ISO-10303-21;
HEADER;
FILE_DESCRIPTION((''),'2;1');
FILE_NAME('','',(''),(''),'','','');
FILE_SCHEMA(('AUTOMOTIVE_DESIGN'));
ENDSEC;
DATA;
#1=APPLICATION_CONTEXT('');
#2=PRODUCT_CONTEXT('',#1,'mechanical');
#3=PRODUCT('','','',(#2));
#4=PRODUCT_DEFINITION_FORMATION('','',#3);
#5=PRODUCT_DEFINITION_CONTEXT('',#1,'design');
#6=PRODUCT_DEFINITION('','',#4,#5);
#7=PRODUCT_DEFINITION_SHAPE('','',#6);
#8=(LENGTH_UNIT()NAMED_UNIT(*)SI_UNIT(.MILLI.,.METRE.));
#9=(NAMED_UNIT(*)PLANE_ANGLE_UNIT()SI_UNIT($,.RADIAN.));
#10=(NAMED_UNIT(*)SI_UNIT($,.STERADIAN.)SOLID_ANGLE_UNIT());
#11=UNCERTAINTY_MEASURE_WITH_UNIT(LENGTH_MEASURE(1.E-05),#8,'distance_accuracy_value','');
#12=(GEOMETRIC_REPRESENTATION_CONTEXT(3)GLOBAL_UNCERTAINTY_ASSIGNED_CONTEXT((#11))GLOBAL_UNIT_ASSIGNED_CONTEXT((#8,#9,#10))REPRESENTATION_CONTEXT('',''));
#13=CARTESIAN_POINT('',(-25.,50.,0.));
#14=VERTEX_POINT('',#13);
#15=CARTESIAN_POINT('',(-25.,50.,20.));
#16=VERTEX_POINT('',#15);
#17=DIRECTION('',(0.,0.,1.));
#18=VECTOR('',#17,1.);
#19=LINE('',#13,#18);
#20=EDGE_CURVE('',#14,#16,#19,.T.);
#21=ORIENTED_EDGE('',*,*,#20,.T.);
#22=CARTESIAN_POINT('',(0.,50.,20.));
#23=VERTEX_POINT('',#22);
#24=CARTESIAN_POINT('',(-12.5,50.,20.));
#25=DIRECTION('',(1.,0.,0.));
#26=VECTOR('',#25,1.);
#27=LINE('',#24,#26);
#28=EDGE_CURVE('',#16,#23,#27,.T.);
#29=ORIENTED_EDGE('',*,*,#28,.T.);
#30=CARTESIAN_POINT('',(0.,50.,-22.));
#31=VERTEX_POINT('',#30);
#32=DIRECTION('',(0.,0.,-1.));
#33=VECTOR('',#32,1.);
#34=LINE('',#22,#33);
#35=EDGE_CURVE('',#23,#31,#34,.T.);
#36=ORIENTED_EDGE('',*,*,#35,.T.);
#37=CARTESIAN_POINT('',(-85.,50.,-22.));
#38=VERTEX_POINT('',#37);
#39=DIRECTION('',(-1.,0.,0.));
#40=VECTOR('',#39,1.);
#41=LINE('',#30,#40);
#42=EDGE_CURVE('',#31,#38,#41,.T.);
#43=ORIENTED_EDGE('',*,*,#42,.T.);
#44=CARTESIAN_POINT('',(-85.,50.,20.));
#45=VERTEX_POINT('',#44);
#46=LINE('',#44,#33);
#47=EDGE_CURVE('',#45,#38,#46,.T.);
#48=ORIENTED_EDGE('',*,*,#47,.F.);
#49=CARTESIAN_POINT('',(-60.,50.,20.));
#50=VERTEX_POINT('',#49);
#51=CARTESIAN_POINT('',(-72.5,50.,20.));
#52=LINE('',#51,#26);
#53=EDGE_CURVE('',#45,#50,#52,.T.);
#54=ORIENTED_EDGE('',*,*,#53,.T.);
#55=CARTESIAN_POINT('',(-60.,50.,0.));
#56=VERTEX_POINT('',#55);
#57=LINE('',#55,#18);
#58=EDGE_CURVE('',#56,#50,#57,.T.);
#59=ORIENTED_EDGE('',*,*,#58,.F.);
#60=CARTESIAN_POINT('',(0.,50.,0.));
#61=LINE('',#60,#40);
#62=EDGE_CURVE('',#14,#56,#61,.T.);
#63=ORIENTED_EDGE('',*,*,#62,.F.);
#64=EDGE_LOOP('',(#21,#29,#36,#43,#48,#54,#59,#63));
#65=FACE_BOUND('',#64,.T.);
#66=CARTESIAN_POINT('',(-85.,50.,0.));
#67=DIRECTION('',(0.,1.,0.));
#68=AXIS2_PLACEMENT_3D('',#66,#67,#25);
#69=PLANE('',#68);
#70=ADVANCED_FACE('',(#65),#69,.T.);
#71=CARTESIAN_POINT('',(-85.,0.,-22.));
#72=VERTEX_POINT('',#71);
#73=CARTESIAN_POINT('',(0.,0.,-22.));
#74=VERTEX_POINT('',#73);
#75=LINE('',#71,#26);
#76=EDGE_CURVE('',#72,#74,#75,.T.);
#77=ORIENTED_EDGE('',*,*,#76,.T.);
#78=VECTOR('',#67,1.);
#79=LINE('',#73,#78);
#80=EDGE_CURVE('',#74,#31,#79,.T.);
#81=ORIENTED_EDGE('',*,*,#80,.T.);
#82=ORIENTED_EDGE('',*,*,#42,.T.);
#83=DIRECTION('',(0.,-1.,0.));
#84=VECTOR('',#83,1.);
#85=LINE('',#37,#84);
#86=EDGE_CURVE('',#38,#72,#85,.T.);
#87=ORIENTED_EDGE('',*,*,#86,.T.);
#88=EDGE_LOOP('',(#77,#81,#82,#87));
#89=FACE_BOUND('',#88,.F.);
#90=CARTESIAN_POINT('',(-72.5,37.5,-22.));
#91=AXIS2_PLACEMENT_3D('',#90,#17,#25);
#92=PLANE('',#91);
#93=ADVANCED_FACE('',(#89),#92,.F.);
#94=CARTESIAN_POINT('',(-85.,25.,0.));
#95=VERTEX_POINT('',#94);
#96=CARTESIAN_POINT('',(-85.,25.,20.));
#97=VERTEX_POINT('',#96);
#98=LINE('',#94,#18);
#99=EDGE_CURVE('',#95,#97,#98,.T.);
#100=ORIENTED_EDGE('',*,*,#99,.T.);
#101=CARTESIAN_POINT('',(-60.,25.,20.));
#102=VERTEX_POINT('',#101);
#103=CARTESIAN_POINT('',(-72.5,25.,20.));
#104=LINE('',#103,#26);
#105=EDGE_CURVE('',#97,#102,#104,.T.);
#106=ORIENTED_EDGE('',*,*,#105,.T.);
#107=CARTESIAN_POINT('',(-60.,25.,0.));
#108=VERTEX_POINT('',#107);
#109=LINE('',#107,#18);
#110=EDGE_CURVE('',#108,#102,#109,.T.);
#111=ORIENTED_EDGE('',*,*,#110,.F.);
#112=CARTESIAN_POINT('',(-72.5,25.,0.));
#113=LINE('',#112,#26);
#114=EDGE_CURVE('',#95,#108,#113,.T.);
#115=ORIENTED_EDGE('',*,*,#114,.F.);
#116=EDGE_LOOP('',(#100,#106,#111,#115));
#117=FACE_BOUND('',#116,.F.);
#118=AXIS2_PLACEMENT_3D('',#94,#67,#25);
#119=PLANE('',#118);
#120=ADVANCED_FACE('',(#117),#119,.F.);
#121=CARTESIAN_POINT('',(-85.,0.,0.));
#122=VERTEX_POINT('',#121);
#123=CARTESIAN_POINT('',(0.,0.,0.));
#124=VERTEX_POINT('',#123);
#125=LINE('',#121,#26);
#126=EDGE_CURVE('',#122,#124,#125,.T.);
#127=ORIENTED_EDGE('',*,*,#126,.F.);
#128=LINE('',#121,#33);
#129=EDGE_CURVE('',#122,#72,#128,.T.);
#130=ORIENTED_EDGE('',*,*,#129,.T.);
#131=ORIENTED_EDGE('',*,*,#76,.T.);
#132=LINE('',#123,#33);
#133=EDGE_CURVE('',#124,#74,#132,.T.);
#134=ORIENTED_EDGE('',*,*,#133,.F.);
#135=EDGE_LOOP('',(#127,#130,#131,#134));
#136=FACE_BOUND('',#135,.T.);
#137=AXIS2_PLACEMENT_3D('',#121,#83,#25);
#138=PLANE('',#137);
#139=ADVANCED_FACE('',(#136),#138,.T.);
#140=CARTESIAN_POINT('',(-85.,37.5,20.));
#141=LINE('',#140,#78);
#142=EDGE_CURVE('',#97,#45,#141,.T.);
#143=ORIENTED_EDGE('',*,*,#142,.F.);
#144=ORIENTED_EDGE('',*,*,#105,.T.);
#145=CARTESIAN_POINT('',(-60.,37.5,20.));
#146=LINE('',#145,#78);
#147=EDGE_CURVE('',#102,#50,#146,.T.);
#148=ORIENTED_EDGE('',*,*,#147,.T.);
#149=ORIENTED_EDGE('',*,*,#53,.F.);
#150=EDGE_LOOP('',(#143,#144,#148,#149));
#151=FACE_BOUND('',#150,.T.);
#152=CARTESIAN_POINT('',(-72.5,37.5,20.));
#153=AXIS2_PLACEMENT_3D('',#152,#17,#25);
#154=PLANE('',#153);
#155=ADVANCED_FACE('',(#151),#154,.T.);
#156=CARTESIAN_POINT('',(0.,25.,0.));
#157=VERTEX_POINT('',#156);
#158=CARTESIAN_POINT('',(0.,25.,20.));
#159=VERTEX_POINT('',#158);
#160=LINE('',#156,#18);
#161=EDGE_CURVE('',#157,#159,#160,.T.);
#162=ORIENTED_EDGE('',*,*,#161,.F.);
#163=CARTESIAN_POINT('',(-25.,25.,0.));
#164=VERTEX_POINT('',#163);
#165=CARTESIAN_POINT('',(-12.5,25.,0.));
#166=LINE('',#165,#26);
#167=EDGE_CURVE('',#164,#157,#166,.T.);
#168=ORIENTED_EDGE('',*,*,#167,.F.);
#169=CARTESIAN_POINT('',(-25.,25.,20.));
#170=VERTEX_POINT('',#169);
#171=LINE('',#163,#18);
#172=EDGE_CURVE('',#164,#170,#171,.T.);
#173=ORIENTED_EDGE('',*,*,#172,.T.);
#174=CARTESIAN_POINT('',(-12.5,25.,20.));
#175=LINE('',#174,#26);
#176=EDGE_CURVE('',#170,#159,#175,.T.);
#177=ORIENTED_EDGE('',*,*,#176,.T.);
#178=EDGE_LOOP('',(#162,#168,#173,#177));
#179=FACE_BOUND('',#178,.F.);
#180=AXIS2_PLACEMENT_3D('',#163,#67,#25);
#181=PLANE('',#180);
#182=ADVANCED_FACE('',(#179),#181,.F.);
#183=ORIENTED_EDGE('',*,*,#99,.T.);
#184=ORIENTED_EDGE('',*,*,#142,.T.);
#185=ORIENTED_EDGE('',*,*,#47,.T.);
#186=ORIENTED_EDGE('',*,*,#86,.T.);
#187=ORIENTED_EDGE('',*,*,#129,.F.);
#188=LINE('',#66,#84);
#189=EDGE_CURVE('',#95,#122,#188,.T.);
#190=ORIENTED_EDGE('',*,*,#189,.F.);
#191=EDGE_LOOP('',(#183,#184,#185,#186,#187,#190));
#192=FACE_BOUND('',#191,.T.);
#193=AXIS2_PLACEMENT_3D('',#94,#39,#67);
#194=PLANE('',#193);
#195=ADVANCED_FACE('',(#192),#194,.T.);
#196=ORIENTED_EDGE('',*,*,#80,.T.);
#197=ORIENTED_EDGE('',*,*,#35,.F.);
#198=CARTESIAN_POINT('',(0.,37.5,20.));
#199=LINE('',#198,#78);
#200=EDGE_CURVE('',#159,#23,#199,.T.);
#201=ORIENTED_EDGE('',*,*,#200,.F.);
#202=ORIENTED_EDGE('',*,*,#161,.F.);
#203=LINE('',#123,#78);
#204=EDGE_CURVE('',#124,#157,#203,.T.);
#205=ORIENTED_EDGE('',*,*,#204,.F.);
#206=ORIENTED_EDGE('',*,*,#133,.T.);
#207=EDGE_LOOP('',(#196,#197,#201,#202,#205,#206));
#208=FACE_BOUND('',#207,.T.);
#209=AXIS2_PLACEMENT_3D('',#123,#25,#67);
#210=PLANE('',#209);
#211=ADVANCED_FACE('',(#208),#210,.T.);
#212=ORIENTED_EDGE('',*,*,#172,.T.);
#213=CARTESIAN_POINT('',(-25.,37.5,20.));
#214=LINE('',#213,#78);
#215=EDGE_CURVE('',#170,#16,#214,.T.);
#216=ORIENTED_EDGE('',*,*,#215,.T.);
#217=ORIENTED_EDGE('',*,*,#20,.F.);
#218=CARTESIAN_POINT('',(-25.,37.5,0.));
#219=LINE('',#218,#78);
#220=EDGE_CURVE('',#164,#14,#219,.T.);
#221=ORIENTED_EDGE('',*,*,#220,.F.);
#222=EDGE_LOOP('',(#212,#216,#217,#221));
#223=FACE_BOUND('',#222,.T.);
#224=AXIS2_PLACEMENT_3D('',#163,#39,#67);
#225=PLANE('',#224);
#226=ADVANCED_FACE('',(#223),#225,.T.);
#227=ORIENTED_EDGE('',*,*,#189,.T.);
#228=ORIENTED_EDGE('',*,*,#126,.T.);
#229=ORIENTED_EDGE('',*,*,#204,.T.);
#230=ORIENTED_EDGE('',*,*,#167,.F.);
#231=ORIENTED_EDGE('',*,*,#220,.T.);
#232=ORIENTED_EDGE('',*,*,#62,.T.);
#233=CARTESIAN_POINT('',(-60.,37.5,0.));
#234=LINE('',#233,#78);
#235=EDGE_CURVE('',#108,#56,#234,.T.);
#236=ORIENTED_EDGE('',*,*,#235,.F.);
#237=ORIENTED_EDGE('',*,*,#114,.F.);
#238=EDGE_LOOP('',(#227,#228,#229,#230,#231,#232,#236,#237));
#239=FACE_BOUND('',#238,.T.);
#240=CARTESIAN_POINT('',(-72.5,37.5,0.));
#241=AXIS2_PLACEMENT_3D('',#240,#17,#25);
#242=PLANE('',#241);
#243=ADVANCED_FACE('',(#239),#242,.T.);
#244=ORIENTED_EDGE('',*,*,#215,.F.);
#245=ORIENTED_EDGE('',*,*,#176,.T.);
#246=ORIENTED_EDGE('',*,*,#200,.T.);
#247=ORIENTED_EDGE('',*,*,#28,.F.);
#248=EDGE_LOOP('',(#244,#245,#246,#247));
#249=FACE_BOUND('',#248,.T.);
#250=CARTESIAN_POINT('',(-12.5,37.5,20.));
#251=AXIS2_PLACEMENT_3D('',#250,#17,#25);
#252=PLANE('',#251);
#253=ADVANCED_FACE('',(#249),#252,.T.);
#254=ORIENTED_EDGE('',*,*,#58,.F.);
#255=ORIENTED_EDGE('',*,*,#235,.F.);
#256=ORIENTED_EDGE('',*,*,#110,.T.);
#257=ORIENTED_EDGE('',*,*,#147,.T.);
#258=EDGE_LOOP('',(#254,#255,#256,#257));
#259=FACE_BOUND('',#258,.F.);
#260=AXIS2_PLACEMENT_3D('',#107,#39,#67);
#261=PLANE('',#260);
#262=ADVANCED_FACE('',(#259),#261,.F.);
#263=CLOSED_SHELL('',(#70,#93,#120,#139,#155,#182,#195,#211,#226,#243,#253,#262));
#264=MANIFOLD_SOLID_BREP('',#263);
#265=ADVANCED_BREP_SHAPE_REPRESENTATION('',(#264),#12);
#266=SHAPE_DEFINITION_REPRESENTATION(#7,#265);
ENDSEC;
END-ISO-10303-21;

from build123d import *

# Parameters (mm, degrees)
F0_W     = 25
F0_H     = 25
F1_DEPTH = 22
F2_DEPTH = 20


with BuildPart() as f1:
    # F0 (on Top) → F1 (new body)
    with BuildSketch(Plane.XY):
        with Locations((-72.5, 37.5)):
            Rectangle(F0_W, F0_H)
        Polygon((-25, 50), (-60, 50), (-60, 25), (-85, 25), (-85, 0), (0, 0), (0, 25), (-25, 25), align=None)
        with Locations((-12.5, 37.5)):
            Rectangle(F0_W, F0_H)
    extrude(amount=-F1_DEPTH)

    # F0 (on Top) → F2 (join)
    with BuildSketch(Plane.XY):
        with Locations((-72.5, 37.5)):
            Rectangle(F0_W, F0_H)
        with Locations((-12.5, 37.5)):
            Rectangle(F0_W, F0_H)
    extrude(amount=F2_DEPTH)


solid = f1.part
